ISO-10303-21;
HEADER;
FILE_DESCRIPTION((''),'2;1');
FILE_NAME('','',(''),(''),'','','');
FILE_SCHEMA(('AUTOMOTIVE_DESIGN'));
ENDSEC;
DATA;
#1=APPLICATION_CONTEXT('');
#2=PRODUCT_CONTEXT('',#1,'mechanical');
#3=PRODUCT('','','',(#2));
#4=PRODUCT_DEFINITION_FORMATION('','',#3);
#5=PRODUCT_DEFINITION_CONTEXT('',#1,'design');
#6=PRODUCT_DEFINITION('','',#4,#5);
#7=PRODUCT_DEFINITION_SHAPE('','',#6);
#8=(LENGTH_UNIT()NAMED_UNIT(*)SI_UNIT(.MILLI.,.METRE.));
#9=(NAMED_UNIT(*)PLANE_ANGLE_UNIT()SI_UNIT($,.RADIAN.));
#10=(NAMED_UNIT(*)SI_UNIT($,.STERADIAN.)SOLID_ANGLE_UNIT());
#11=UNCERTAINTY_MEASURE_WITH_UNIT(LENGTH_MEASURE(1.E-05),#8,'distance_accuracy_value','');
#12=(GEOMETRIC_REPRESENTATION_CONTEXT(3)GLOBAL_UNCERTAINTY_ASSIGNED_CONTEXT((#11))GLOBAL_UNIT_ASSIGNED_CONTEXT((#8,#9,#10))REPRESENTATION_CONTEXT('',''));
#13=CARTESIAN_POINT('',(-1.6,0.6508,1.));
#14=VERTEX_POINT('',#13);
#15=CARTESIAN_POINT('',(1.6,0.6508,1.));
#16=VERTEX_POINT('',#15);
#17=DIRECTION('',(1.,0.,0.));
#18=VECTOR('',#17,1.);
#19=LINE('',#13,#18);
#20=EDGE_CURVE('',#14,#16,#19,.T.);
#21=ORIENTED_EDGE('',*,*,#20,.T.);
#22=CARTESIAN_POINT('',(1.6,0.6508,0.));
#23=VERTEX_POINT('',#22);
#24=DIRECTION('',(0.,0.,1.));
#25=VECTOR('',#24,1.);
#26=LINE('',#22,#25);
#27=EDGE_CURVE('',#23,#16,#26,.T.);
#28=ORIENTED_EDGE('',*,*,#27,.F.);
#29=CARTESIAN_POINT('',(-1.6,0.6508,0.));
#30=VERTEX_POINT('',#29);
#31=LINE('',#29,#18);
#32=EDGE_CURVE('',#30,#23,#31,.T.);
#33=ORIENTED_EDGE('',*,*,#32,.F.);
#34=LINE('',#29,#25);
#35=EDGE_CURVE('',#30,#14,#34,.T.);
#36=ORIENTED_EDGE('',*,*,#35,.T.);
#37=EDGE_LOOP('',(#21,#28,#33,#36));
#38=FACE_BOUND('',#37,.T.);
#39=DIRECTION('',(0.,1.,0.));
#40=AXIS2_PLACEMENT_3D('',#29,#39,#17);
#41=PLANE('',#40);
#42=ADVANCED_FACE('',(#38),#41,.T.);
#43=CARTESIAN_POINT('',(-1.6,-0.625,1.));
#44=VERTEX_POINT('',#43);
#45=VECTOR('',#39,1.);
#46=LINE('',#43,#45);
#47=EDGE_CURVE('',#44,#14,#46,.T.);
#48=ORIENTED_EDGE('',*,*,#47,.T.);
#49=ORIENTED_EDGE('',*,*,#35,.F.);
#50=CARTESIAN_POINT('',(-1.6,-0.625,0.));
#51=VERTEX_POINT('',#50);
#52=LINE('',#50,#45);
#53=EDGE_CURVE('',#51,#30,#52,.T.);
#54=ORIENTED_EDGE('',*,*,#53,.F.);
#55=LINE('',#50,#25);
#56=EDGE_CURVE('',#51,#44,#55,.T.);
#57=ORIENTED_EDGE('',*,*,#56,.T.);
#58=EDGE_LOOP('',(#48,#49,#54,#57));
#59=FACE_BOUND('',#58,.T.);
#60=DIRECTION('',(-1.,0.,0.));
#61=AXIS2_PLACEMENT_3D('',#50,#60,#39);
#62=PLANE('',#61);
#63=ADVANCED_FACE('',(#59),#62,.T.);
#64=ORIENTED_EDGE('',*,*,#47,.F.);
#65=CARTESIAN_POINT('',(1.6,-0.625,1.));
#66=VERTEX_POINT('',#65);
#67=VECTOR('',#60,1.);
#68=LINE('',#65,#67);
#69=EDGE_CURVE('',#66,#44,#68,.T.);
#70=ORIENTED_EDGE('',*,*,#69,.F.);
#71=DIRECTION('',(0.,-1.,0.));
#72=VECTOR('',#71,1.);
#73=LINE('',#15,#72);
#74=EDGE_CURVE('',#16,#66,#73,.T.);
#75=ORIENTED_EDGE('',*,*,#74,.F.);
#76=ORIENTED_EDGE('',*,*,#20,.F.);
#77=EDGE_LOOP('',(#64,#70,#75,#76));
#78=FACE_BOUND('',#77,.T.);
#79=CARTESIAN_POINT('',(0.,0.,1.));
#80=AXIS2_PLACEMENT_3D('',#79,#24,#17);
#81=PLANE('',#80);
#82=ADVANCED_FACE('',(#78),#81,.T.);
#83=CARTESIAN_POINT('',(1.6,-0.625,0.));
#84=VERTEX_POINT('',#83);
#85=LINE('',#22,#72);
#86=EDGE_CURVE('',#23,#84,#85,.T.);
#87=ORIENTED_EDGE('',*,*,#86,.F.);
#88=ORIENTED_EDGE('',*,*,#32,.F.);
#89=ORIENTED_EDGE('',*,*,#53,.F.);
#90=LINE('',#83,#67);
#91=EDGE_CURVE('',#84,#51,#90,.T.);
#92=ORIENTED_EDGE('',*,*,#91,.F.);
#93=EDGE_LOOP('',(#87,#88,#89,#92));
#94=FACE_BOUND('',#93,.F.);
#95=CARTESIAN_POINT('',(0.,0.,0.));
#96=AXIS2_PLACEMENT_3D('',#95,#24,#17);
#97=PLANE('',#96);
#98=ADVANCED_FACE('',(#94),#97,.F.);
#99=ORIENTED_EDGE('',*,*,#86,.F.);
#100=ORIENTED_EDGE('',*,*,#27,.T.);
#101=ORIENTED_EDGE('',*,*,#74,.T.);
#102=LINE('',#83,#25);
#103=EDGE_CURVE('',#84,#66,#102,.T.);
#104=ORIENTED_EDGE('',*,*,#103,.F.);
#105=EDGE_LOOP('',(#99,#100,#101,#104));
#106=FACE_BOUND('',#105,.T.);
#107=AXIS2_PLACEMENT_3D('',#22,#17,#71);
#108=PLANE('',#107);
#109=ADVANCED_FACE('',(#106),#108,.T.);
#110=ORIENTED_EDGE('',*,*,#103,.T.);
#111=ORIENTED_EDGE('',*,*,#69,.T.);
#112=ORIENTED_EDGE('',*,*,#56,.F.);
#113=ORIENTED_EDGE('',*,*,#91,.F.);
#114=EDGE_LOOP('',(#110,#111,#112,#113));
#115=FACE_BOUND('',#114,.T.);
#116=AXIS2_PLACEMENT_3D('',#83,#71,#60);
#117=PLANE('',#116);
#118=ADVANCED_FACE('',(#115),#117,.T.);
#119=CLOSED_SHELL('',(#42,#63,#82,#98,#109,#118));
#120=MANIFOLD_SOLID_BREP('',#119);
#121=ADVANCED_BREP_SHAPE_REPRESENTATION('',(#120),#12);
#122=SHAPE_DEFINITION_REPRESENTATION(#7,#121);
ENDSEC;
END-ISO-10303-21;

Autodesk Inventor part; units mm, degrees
ref_plane "YZ Plane" through (0, 0, 0) normal (1, 0, 0) x (0, 1, 0)
ref_plane "XZ Plane" through (0, 0, 0) normal (0, 1, 0) x (-1, 0, 0)
ref_plane "XY Plane" through (0, 0, 0) normal (0, 0, 1) x (1, 0, 0)
sketch "A_3216-18R, A_3216-18R_14" plane through (0, 0, 0) normal (0, 0, 1) x (1, 0, 0)
  line L0 (-1.6, 0.6508) -> (1.6, 0.6508)
  line L1 (1.6, 0.6508) -> (1.6, -0.625)
  line L2 (1.6, -0.625) -> (-1.6, -0.625)
  line L3 (-1.6, -0.625) -> (-1.6, 0.6508)
extrude "Extrusion1" add sketch "A_3216-18R, A_3216-18R_14" along normal blind 1
properties part number "A_3216-18R"
